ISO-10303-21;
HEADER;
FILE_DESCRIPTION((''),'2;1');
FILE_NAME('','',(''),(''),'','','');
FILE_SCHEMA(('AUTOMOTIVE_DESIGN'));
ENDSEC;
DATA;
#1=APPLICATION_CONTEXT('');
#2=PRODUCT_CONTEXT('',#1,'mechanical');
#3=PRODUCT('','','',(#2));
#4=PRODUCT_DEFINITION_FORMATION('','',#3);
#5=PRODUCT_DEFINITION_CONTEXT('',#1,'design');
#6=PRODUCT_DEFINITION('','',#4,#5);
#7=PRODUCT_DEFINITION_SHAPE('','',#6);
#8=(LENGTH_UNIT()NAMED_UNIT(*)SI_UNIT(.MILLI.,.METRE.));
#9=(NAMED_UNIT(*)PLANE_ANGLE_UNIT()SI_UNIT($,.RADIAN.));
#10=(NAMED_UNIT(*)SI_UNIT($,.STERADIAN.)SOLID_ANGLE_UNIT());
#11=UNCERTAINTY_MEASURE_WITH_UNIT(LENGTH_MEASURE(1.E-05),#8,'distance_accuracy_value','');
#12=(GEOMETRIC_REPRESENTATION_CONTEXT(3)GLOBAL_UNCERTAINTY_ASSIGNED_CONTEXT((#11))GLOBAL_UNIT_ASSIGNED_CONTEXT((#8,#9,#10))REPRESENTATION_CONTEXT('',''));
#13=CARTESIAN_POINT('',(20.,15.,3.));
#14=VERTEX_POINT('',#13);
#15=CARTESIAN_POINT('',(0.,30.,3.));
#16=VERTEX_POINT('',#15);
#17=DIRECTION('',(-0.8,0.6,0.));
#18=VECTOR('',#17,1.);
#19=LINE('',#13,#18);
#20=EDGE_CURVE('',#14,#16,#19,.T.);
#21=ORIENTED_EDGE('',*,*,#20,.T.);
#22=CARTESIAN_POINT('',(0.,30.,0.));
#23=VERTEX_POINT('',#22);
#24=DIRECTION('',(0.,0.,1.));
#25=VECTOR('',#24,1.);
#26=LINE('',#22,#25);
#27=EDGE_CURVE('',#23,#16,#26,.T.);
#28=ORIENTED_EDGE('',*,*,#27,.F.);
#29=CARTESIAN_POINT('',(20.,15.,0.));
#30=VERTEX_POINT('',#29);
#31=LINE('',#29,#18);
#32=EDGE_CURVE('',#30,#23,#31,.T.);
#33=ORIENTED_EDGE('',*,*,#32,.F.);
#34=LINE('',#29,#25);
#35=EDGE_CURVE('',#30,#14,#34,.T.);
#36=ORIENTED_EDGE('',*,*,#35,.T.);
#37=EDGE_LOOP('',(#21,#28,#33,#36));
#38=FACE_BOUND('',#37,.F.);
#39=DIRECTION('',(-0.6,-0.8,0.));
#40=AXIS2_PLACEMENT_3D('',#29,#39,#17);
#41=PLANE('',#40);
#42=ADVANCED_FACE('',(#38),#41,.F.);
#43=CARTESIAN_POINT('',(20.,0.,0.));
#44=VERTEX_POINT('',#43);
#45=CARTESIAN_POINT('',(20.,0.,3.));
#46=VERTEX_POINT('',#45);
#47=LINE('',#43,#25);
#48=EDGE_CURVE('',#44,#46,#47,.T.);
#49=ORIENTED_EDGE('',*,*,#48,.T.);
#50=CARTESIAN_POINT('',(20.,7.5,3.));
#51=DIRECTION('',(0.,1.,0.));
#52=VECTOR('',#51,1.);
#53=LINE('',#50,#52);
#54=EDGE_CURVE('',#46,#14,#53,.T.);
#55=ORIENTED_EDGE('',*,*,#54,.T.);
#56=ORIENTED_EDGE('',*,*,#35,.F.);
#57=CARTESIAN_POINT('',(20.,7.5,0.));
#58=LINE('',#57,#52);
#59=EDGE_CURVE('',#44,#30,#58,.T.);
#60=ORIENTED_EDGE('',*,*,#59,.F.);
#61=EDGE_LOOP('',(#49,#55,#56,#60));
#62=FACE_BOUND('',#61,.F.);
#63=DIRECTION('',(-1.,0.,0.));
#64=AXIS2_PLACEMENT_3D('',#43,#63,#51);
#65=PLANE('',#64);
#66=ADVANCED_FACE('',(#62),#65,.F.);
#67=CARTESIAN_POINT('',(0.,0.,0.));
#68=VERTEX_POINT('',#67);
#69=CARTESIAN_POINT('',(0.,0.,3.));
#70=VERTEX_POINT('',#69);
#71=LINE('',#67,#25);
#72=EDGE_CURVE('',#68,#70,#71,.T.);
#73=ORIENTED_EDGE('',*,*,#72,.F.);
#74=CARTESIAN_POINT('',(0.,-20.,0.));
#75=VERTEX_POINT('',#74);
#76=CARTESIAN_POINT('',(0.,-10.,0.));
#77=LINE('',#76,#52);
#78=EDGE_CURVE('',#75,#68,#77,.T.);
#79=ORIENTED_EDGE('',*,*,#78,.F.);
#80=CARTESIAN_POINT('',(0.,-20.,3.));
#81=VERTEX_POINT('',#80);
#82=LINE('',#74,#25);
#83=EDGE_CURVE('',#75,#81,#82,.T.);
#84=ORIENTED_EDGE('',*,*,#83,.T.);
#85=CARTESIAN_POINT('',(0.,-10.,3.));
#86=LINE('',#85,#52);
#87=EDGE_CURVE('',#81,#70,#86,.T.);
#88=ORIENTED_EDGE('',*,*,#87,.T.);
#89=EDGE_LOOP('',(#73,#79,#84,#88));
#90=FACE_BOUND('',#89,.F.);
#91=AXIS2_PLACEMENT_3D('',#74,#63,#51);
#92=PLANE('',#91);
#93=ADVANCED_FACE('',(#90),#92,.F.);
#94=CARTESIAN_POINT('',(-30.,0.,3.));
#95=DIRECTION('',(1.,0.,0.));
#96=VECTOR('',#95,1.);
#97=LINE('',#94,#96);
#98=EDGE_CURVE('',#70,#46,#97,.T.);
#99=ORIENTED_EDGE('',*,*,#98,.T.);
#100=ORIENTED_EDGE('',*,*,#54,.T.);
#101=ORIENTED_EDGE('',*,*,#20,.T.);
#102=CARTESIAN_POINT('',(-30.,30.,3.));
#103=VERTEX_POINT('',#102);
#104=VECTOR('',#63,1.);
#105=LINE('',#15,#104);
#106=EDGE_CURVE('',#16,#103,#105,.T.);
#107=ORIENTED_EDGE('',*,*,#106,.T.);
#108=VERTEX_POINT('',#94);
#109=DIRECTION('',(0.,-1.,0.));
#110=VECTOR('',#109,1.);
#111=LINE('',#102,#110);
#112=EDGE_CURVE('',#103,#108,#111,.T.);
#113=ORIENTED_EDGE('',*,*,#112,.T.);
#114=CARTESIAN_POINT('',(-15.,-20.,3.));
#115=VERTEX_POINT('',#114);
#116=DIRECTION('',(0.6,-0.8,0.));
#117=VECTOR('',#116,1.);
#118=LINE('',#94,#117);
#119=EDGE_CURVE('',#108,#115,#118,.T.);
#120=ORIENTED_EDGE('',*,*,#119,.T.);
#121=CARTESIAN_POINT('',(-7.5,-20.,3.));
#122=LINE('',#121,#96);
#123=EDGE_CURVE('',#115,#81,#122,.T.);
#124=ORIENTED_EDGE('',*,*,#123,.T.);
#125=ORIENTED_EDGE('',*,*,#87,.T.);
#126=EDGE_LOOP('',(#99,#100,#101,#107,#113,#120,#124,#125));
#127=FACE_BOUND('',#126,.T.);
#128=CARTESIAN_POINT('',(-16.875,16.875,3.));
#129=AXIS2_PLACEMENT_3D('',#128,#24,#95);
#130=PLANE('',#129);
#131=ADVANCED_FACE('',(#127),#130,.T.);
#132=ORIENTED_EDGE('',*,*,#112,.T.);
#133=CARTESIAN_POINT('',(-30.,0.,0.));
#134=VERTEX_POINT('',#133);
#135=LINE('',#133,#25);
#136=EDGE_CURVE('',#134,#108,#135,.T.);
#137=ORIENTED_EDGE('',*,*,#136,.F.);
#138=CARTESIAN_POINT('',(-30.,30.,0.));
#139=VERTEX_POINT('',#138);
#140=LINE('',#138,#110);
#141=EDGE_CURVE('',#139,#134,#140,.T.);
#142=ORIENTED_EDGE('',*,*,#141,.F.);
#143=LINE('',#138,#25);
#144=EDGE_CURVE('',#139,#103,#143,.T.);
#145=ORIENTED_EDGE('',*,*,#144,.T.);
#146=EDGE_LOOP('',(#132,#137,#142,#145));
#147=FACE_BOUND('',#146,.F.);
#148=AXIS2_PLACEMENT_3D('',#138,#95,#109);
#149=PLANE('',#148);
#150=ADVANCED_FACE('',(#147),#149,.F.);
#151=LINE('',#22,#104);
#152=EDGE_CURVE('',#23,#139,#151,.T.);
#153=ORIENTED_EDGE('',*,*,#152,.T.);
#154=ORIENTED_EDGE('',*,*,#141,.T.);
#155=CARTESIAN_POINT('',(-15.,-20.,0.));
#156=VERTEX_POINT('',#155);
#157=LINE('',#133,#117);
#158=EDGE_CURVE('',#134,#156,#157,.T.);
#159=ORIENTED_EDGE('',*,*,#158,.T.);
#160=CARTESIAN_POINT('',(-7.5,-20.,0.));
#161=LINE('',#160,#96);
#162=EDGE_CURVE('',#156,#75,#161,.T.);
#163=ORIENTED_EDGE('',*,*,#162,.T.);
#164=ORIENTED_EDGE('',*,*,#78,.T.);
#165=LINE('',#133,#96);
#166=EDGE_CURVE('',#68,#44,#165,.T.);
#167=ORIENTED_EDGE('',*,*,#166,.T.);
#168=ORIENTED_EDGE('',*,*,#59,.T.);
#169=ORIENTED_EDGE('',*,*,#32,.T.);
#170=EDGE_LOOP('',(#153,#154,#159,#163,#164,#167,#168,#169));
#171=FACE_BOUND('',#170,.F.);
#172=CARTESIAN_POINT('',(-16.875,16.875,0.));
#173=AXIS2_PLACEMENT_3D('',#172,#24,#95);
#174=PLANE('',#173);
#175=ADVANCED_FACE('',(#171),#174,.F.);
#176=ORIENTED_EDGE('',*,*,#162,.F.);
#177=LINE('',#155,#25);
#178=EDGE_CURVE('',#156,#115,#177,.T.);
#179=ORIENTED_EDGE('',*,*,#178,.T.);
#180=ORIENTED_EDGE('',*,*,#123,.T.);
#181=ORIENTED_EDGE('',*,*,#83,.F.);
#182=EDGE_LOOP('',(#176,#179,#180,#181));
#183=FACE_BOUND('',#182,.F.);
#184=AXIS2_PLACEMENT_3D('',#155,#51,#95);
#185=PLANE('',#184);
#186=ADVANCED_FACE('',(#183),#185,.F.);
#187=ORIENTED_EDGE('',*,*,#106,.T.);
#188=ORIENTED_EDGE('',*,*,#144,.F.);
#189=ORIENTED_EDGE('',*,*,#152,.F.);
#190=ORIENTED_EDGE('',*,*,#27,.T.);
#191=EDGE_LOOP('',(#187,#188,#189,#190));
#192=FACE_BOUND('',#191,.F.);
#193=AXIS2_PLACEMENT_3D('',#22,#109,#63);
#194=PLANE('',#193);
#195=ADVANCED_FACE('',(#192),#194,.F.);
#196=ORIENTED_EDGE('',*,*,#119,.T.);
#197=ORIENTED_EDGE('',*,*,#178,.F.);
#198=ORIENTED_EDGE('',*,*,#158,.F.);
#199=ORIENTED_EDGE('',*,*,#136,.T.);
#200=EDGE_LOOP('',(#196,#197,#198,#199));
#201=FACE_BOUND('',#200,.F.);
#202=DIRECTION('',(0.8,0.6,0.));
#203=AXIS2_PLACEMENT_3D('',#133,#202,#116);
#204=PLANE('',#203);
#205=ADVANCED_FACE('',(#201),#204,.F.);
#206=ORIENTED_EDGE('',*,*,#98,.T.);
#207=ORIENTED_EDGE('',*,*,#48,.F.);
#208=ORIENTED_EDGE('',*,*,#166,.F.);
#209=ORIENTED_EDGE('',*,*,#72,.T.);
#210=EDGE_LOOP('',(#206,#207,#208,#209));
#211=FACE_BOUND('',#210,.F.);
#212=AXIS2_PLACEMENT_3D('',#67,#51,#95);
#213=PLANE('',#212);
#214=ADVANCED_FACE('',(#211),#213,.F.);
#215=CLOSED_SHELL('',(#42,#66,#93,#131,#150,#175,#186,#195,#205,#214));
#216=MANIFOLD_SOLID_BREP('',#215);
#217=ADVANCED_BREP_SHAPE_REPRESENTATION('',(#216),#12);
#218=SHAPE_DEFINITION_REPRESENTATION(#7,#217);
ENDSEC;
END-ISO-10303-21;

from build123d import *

# Parameters (mm, degrees)
F0_W     = 15
F0_H     = 15
F0_W_2   = 20
F0_H_2   = 20
F1_DEPTH = 3


with BuildPart() as f1:
    # F0 (on Top) → F1 (new body)
    with BuildSketch(Plane.XY):
        Polygon((-30, 0), (-15, 0), (-15, 15), (0, 15), (0, 30), (-30, 30), align=None)
        with Locations((-7.5, 7.5)):
            Rectangle(F0_W, F0_H)
        with Locations((10, 7.5)):
            Rectangle(F0_W_2, F0_H)
        with Locations((-7.5, -10)):
            Rectangle(F0_W, F0_H_2)
        Polygon((0, 30), (0, 15), (20, 15), align=None)
        Polygon((-15, -20), (-15, 0), (-30, 0), align=None)
    extrude(amount=F1_DEPTH)


solid = f1.part
